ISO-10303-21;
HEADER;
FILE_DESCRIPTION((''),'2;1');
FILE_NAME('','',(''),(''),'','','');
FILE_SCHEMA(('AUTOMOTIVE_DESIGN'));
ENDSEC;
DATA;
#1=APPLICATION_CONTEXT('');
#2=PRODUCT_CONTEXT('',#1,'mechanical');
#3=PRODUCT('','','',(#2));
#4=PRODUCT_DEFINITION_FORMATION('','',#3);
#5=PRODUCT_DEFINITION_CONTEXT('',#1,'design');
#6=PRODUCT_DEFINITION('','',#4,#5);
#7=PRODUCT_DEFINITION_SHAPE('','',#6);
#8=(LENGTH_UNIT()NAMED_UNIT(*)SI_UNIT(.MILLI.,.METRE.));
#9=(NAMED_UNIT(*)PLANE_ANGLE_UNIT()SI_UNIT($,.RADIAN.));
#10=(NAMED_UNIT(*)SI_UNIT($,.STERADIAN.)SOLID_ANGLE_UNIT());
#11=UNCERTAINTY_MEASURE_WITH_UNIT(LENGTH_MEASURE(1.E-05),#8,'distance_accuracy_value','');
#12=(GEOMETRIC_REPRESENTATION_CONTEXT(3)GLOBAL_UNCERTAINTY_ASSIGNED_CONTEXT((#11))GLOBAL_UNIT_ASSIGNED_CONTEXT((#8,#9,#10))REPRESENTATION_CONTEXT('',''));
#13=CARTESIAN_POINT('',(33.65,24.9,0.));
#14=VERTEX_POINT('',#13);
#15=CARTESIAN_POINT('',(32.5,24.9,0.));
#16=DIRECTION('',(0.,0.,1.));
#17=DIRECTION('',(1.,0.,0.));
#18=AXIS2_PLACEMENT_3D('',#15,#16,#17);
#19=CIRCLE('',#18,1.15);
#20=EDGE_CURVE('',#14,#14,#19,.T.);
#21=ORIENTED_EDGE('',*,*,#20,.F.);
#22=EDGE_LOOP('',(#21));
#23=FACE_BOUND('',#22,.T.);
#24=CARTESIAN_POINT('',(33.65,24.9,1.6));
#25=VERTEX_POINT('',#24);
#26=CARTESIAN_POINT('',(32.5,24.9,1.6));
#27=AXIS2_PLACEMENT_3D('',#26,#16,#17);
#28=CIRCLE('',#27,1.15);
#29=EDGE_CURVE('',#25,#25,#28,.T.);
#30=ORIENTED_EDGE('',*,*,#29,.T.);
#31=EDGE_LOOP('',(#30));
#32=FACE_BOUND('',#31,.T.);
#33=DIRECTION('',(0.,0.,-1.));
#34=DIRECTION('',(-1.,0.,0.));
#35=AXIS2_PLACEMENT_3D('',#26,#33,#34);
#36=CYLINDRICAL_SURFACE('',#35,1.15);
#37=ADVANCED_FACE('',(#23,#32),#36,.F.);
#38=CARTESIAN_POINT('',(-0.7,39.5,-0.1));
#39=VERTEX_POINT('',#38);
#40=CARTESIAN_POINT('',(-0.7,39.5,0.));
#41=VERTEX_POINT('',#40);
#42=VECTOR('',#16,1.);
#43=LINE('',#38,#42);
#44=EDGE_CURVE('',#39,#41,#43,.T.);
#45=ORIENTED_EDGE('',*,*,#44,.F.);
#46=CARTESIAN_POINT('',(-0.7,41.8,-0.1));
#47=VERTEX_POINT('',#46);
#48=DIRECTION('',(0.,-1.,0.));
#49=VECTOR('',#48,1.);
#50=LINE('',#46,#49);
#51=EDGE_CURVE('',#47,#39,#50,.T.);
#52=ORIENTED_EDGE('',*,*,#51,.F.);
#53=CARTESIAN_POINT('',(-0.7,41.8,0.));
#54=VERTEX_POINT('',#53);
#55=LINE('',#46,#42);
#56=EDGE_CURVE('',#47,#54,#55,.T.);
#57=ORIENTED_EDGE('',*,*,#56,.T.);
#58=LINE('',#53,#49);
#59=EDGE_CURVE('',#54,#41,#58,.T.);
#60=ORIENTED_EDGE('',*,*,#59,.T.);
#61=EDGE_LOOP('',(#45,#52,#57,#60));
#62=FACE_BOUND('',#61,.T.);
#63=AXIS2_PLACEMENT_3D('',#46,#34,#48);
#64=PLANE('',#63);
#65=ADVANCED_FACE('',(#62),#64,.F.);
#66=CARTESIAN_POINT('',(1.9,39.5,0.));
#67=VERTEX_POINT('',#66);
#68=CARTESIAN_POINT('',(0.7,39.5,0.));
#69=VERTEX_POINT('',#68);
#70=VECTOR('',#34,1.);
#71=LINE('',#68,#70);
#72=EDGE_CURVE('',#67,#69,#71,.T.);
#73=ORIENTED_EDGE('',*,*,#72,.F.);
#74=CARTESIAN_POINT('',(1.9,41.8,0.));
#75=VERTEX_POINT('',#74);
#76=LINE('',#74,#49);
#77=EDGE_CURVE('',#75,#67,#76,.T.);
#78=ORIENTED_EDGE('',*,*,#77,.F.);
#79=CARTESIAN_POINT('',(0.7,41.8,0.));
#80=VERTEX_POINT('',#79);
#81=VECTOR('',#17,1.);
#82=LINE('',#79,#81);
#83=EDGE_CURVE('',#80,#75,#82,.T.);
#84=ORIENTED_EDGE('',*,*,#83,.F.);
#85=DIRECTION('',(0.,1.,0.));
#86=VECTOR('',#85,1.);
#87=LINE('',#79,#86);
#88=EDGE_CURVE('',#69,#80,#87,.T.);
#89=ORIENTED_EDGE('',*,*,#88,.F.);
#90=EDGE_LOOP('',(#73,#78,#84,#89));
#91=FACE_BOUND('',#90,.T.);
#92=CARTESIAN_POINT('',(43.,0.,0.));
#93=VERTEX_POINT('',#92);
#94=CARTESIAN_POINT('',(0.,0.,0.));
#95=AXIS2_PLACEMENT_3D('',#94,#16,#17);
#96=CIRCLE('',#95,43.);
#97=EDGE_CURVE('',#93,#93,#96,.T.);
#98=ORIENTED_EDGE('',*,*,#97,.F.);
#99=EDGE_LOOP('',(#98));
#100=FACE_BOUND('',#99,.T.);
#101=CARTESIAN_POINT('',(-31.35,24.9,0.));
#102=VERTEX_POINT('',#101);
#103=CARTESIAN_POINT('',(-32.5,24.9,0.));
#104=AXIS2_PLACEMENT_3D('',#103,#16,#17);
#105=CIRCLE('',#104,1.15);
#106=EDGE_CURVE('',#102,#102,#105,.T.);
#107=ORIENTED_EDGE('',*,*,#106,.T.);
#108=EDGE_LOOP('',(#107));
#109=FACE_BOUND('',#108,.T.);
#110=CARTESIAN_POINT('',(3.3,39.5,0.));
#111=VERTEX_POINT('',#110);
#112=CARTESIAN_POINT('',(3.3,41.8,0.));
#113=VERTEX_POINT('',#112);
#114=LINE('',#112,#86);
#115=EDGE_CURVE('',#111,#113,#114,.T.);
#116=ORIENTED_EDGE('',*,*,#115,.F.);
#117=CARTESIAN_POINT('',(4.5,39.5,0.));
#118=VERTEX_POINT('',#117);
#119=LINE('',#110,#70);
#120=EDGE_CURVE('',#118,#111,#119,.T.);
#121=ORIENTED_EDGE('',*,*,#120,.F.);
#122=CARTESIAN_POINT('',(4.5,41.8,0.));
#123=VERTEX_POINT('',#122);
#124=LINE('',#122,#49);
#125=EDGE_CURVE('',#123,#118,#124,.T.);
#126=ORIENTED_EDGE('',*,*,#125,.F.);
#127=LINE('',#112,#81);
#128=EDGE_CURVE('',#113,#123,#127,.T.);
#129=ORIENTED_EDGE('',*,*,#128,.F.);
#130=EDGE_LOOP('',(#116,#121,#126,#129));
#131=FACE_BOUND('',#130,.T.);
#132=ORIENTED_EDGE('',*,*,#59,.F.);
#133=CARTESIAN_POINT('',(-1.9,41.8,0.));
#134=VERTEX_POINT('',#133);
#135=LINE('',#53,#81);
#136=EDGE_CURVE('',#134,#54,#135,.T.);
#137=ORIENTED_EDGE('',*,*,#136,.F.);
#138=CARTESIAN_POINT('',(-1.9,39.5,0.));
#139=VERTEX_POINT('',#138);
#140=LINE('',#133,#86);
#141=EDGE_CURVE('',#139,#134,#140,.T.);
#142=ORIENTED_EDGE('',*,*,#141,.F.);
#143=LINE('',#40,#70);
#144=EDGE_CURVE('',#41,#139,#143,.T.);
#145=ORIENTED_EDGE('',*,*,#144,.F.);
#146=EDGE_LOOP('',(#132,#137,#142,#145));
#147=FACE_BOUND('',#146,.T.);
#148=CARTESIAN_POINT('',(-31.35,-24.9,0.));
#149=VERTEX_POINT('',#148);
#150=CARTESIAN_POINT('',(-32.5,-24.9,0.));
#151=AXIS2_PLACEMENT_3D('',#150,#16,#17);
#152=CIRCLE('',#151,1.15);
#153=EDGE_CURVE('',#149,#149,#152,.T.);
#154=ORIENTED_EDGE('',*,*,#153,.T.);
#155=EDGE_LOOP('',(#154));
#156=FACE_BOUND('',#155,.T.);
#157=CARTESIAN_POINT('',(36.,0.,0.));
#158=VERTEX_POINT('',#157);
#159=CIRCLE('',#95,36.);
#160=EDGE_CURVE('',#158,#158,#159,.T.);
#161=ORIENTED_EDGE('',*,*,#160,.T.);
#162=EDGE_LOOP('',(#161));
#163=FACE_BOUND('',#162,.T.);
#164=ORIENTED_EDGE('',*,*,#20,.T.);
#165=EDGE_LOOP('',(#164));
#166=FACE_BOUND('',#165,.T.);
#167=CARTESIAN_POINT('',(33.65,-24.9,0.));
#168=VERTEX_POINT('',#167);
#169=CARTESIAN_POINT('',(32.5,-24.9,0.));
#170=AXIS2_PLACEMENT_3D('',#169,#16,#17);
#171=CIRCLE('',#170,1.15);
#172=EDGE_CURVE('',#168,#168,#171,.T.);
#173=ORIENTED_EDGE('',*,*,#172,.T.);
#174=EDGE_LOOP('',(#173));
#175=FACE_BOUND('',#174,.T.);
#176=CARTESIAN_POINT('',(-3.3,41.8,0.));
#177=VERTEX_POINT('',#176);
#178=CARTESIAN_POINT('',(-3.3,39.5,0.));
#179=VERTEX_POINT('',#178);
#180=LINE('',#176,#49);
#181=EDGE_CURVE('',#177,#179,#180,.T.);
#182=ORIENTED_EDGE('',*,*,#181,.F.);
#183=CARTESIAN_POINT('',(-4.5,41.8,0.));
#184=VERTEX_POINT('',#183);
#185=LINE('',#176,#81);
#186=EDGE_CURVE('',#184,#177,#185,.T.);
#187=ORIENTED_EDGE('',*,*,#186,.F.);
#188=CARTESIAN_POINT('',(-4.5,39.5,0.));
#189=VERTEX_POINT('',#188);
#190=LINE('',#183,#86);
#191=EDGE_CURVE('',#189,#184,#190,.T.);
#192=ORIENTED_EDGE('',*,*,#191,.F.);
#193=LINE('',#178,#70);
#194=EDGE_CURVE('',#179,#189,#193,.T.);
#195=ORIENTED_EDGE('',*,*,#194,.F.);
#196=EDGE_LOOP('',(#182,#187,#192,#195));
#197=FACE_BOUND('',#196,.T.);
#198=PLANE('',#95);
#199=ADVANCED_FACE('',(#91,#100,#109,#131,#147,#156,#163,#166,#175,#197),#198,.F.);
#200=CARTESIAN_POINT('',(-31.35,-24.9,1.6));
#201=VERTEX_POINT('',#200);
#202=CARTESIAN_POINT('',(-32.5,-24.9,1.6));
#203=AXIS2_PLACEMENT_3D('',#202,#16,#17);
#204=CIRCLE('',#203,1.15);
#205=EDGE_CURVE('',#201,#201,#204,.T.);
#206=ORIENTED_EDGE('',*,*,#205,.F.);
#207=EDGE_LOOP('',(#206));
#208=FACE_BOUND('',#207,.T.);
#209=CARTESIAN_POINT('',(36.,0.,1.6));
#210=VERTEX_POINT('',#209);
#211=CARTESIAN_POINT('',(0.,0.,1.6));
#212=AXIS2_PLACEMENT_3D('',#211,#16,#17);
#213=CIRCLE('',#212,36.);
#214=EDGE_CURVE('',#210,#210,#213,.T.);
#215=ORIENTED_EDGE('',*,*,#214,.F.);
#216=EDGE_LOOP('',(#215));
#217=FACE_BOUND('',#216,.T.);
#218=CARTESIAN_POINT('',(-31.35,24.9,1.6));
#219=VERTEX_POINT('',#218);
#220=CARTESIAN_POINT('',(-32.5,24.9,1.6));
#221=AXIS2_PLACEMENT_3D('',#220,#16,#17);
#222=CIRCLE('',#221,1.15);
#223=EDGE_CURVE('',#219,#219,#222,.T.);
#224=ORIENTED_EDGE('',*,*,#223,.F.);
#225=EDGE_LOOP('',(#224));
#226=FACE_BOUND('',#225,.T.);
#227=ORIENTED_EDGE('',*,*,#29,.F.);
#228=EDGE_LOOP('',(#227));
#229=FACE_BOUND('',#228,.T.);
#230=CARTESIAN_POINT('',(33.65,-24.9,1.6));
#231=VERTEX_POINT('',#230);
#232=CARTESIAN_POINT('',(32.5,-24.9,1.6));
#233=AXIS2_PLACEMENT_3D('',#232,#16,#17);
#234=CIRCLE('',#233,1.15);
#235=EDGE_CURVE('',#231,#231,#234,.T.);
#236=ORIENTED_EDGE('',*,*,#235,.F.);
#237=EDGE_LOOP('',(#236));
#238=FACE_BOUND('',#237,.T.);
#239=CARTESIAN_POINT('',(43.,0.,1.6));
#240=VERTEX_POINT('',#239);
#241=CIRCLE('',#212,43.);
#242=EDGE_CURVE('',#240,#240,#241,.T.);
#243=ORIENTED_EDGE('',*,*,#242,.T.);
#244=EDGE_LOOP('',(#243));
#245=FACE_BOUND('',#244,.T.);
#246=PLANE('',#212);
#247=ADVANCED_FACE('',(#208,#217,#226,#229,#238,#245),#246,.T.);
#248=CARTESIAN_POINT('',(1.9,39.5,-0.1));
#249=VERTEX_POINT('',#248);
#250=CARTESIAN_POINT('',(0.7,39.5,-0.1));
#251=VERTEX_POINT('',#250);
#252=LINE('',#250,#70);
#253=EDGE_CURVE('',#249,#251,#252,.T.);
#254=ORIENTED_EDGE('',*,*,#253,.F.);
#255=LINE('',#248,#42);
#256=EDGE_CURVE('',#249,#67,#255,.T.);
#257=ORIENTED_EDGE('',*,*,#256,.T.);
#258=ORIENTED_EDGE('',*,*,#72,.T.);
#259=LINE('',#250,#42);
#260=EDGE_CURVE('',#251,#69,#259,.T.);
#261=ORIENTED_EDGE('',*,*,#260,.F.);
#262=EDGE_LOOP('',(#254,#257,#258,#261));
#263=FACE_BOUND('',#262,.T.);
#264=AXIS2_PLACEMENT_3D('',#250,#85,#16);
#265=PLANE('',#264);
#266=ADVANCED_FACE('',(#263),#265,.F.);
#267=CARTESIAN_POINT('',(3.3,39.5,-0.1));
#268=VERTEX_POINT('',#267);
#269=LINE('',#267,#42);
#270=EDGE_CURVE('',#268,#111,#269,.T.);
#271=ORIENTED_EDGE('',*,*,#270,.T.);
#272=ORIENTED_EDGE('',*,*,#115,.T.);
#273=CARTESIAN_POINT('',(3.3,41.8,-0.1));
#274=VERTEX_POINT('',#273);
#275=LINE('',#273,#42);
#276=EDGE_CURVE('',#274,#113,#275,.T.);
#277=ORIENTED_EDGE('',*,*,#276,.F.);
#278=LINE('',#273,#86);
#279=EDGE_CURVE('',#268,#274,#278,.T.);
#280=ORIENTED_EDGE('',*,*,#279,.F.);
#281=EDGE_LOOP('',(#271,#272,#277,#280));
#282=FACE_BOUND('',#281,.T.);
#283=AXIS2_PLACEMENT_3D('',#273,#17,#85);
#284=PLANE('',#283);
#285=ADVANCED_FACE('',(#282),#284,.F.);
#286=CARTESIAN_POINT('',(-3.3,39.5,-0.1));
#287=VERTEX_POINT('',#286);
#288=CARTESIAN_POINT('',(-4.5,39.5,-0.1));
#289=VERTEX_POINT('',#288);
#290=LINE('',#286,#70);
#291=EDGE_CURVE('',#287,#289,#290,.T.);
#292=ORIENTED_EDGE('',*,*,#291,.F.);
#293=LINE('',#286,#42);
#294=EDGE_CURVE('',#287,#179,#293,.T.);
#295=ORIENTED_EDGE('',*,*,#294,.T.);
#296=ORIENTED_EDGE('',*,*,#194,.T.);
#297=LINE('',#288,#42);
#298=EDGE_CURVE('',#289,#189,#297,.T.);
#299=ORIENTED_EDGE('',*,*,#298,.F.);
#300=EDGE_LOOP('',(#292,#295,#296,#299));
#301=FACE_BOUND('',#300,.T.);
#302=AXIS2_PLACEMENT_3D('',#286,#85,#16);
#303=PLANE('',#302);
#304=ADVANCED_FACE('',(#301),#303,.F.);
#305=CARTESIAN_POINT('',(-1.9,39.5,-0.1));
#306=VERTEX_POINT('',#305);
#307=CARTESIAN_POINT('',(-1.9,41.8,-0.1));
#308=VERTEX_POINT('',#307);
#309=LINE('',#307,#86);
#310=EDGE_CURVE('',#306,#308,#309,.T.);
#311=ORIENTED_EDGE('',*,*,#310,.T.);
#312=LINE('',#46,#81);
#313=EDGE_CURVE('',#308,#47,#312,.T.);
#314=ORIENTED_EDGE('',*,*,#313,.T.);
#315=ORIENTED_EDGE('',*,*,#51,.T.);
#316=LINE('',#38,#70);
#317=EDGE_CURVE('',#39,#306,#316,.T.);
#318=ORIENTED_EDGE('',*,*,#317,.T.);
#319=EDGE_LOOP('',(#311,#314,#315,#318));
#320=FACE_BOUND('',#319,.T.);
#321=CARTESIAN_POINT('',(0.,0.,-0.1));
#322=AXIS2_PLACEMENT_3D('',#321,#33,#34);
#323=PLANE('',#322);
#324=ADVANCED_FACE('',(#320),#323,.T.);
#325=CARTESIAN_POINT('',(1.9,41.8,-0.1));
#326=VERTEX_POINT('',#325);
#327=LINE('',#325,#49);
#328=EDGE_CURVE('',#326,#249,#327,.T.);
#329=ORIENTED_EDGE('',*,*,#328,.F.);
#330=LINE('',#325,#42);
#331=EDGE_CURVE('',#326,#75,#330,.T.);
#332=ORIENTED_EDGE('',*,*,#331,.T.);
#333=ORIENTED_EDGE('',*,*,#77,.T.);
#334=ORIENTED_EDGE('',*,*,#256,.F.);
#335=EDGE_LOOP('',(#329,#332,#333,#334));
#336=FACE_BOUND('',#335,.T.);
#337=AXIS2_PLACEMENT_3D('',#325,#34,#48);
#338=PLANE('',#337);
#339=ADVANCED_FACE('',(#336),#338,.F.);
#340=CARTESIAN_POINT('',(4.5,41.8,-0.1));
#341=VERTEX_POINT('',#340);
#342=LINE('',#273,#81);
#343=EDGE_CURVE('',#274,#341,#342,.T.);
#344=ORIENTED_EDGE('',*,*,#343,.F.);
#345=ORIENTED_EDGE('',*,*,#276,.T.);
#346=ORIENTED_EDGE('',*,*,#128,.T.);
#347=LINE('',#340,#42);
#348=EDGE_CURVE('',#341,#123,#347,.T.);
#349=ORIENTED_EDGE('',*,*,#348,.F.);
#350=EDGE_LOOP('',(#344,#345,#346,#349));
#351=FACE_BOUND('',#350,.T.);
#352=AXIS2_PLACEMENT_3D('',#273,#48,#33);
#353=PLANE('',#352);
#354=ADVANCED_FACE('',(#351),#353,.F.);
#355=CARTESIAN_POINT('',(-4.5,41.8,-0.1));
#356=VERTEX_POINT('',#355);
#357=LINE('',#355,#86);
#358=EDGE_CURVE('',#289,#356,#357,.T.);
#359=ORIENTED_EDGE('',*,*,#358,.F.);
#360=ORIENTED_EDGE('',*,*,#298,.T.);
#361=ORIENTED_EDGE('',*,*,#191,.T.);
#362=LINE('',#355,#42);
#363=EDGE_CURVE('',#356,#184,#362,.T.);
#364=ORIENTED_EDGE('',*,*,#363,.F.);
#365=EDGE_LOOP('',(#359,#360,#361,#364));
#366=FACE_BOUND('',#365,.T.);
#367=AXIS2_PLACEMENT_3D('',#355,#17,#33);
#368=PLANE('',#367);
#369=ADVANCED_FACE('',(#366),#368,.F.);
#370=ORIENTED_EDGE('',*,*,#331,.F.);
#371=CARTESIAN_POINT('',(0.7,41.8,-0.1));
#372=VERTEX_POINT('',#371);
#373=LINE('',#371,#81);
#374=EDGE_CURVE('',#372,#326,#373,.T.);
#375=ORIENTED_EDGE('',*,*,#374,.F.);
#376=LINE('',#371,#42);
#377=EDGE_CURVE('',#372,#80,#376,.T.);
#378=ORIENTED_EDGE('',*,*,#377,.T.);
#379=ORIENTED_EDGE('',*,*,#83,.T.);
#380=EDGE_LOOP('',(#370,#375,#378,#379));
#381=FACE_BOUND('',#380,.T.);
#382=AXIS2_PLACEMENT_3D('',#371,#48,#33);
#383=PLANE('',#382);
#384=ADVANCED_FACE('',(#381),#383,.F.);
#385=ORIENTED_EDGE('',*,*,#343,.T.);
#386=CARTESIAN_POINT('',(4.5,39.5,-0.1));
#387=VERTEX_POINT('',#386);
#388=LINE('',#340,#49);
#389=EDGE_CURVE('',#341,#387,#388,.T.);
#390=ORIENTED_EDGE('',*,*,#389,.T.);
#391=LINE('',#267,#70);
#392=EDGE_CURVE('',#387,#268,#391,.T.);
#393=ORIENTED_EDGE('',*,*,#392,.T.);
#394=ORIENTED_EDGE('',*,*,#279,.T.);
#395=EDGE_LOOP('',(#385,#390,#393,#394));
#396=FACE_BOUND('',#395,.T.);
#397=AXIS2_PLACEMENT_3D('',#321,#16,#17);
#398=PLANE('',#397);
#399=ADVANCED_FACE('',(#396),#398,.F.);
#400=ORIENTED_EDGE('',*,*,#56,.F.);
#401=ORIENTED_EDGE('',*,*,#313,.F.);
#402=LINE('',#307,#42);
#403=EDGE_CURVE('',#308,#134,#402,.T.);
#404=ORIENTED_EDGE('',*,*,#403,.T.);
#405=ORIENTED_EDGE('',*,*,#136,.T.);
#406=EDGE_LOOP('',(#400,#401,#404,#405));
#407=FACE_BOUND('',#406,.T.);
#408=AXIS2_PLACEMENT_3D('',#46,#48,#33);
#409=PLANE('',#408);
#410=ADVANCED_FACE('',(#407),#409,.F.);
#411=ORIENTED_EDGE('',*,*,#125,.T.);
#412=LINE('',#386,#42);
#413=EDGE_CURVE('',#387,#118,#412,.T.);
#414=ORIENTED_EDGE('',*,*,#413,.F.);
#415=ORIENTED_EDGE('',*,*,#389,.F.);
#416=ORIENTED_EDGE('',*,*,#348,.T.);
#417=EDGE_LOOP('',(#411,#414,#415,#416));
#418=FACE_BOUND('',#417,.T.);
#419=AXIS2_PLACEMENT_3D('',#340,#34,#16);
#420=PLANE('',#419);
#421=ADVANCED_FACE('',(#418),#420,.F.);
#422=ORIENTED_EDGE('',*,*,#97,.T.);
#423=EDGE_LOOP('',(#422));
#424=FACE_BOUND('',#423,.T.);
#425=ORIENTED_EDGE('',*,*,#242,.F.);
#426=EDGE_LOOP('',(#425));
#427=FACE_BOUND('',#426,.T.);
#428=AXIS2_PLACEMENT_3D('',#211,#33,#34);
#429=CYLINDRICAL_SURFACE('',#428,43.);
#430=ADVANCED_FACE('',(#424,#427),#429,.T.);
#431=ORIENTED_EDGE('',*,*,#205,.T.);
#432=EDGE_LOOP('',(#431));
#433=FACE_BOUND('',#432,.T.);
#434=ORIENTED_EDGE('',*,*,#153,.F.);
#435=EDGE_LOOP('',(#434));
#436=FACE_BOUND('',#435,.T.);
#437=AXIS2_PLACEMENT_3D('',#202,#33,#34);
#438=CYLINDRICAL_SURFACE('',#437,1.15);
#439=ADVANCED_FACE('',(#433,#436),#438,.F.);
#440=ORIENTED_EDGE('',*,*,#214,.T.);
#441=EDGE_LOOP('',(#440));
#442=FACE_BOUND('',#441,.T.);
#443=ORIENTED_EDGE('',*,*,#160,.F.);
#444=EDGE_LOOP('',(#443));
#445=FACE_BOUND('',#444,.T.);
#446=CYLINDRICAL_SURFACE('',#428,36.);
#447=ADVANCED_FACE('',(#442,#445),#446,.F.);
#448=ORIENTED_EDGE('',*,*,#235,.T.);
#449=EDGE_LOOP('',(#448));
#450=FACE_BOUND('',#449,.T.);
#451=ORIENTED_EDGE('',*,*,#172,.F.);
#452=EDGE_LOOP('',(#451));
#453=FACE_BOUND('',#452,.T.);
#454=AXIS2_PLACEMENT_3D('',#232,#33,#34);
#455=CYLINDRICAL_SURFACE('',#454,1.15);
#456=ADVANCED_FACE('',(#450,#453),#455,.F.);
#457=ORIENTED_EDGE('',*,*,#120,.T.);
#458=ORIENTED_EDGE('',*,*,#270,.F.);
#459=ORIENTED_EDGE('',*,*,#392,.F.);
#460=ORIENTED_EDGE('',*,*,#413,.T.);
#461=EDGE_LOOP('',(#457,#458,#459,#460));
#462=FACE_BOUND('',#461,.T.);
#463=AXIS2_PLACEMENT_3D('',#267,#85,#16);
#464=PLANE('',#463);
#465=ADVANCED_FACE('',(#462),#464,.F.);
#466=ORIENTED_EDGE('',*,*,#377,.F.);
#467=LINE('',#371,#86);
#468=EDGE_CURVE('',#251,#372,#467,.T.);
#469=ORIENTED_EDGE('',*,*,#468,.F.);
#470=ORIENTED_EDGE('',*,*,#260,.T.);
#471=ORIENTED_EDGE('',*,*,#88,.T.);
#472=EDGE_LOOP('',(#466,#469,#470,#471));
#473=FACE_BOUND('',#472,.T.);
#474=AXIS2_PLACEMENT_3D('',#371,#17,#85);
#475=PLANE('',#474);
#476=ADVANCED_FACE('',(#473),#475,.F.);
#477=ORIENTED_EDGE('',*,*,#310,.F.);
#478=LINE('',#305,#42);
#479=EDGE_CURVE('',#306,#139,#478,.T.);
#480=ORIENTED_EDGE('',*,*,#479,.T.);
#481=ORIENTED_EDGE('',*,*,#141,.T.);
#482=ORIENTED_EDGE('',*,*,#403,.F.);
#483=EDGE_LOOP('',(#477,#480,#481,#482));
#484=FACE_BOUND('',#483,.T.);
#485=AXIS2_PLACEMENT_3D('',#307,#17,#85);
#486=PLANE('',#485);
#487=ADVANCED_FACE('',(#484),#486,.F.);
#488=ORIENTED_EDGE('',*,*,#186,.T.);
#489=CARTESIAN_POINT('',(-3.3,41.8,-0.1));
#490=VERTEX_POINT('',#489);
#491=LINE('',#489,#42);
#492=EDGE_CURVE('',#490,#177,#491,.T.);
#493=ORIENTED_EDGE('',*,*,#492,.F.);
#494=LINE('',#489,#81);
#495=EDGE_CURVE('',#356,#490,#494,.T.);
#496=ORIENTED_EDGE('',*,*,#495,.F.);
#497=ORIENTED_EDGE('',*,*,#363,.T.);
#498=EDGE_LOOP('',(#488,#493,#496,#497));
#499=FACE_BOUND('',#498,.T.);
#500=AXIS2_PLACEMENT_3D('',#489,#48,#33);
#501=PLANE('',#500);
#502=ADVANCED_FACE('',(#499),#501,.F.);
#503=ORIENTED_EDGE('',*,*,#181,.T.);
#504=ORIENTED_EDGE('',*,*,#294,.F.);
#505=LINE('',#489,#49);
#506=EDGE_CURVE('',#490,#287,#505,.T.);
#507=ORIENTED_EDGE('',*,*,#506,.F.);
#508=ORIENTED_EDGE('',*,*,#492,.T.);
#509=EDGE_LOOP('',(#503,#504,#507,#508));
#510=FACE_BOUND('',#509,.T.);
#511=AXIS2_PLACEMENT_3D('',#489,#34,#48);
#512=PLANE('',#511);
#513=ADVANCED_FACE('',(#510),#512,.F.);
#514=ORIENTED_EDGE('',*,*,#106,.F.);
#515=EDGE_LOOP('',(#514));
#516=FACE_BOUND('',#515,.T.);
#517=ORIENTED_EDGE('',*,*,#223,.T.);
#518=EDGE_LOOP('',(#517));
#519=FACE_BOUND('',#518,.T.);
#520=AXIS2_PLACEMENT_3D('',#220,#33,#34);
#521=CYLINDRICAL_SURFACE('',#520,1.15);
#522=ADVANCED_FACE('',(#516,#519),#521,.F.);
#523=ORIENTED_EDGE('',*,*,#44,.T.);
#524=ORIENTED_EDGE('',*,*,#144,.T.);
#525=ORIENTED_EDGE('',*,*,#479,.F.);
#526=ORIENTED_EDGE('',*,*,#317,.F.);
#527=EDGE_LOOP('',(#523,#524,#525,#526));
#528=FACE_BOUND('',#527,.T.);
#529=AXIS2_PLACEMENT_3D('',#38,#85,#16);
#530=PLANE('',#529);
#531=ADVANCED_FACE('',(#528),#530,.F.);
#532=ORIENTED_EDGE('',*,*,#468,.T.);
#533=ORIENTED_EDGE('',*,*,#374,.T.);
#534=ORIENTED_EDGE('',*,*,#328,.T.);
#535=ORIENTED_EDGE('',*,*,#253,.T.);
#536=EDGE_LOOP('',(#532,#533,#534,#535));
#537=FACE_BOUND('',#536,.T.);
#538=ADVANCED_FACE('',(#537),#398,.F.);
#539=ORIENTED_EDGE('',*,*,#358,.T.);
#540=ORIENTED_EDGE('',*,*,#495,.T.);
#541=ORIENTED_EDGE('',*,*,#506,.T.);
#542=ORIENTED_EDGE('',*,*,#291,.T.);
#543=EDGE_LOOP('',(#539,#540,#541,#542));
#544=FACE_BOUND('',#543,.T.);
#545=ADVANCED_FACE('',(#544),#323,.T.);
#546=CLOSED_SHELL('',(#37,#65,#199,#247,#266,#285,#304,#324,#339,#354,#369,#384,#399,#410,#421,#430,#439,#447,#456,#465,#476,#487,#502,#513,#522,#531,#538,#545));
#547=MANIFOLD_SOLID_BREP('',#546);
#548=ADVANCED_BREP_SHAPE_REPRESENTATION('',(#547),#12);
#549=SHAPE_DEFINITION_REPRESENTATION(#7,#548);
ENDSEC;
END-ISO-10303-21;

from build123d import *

# Parameters (mm, degrees)
SKETCH1_R           = 43
SKETCH1_R_2         = 36
SKETCH1_R_3         = 1.15
BOSS_EXTRUDE2_DEPTH = 1.6
SKETCH4_W           = 1.2
SKETCH4_H           = 2.3
BOSS_EXTRUDE3_DEPTH = 0.1


with BuildPart() as part:
    # Sketch1 → Boss-Extrude2 (new body)
    with BuildSketch(Plane.XY):
        Circle(SKETCH1_R)
        Circle(SKETCH1_R_2, mode=Mode.SUBTRACT)
        with Locations((32.5, -24.9)):
            Circle(SKETCH1_R_3, mode=Mode.SUBTRACT)
        with Locations((-32.5, -24.9)):
            Circle(SKETCH1_R_3, mode=Mode.SUBTRACT)
        with Locations((-32.5, 24.9)):
            Circle(SKETCH1_R_3, mode=Mode.SUBTRACT)
        with Locations((32.5, 24.9)):
            Circle(SKETCH1_R_3, mode=Mode.SUBTRACT)
    extrude(amount=BOSS_EXTRUDE2_DEPTH)

    # Sketch4 → Boss-Extrude3 (add)
    with BuildSketch(Plane(origin=(0, 0, 0), x_dir=(-1, 0, 0), z_dir=(0, 0, -1))):
        with Locations((1.3, 40.65)):
            Rectangle(SKETCH4_W, SKETCH4_H)
        with Locations((3.9, 40.65)):
            Rectangle(SKETCH4_W, SKETCH4_H)
        with Locations((-1.3, 40.65)):
            Rectangle(SKETCH4_W, SKETCH4_H)
        with Locations((-3.9, 40.65)):
            Rectangle(SKETCH4_W, SKETCH4_H)
    extrude(amount=BOSS_EXTRUDE3_DEPTH)


solid = part.part
